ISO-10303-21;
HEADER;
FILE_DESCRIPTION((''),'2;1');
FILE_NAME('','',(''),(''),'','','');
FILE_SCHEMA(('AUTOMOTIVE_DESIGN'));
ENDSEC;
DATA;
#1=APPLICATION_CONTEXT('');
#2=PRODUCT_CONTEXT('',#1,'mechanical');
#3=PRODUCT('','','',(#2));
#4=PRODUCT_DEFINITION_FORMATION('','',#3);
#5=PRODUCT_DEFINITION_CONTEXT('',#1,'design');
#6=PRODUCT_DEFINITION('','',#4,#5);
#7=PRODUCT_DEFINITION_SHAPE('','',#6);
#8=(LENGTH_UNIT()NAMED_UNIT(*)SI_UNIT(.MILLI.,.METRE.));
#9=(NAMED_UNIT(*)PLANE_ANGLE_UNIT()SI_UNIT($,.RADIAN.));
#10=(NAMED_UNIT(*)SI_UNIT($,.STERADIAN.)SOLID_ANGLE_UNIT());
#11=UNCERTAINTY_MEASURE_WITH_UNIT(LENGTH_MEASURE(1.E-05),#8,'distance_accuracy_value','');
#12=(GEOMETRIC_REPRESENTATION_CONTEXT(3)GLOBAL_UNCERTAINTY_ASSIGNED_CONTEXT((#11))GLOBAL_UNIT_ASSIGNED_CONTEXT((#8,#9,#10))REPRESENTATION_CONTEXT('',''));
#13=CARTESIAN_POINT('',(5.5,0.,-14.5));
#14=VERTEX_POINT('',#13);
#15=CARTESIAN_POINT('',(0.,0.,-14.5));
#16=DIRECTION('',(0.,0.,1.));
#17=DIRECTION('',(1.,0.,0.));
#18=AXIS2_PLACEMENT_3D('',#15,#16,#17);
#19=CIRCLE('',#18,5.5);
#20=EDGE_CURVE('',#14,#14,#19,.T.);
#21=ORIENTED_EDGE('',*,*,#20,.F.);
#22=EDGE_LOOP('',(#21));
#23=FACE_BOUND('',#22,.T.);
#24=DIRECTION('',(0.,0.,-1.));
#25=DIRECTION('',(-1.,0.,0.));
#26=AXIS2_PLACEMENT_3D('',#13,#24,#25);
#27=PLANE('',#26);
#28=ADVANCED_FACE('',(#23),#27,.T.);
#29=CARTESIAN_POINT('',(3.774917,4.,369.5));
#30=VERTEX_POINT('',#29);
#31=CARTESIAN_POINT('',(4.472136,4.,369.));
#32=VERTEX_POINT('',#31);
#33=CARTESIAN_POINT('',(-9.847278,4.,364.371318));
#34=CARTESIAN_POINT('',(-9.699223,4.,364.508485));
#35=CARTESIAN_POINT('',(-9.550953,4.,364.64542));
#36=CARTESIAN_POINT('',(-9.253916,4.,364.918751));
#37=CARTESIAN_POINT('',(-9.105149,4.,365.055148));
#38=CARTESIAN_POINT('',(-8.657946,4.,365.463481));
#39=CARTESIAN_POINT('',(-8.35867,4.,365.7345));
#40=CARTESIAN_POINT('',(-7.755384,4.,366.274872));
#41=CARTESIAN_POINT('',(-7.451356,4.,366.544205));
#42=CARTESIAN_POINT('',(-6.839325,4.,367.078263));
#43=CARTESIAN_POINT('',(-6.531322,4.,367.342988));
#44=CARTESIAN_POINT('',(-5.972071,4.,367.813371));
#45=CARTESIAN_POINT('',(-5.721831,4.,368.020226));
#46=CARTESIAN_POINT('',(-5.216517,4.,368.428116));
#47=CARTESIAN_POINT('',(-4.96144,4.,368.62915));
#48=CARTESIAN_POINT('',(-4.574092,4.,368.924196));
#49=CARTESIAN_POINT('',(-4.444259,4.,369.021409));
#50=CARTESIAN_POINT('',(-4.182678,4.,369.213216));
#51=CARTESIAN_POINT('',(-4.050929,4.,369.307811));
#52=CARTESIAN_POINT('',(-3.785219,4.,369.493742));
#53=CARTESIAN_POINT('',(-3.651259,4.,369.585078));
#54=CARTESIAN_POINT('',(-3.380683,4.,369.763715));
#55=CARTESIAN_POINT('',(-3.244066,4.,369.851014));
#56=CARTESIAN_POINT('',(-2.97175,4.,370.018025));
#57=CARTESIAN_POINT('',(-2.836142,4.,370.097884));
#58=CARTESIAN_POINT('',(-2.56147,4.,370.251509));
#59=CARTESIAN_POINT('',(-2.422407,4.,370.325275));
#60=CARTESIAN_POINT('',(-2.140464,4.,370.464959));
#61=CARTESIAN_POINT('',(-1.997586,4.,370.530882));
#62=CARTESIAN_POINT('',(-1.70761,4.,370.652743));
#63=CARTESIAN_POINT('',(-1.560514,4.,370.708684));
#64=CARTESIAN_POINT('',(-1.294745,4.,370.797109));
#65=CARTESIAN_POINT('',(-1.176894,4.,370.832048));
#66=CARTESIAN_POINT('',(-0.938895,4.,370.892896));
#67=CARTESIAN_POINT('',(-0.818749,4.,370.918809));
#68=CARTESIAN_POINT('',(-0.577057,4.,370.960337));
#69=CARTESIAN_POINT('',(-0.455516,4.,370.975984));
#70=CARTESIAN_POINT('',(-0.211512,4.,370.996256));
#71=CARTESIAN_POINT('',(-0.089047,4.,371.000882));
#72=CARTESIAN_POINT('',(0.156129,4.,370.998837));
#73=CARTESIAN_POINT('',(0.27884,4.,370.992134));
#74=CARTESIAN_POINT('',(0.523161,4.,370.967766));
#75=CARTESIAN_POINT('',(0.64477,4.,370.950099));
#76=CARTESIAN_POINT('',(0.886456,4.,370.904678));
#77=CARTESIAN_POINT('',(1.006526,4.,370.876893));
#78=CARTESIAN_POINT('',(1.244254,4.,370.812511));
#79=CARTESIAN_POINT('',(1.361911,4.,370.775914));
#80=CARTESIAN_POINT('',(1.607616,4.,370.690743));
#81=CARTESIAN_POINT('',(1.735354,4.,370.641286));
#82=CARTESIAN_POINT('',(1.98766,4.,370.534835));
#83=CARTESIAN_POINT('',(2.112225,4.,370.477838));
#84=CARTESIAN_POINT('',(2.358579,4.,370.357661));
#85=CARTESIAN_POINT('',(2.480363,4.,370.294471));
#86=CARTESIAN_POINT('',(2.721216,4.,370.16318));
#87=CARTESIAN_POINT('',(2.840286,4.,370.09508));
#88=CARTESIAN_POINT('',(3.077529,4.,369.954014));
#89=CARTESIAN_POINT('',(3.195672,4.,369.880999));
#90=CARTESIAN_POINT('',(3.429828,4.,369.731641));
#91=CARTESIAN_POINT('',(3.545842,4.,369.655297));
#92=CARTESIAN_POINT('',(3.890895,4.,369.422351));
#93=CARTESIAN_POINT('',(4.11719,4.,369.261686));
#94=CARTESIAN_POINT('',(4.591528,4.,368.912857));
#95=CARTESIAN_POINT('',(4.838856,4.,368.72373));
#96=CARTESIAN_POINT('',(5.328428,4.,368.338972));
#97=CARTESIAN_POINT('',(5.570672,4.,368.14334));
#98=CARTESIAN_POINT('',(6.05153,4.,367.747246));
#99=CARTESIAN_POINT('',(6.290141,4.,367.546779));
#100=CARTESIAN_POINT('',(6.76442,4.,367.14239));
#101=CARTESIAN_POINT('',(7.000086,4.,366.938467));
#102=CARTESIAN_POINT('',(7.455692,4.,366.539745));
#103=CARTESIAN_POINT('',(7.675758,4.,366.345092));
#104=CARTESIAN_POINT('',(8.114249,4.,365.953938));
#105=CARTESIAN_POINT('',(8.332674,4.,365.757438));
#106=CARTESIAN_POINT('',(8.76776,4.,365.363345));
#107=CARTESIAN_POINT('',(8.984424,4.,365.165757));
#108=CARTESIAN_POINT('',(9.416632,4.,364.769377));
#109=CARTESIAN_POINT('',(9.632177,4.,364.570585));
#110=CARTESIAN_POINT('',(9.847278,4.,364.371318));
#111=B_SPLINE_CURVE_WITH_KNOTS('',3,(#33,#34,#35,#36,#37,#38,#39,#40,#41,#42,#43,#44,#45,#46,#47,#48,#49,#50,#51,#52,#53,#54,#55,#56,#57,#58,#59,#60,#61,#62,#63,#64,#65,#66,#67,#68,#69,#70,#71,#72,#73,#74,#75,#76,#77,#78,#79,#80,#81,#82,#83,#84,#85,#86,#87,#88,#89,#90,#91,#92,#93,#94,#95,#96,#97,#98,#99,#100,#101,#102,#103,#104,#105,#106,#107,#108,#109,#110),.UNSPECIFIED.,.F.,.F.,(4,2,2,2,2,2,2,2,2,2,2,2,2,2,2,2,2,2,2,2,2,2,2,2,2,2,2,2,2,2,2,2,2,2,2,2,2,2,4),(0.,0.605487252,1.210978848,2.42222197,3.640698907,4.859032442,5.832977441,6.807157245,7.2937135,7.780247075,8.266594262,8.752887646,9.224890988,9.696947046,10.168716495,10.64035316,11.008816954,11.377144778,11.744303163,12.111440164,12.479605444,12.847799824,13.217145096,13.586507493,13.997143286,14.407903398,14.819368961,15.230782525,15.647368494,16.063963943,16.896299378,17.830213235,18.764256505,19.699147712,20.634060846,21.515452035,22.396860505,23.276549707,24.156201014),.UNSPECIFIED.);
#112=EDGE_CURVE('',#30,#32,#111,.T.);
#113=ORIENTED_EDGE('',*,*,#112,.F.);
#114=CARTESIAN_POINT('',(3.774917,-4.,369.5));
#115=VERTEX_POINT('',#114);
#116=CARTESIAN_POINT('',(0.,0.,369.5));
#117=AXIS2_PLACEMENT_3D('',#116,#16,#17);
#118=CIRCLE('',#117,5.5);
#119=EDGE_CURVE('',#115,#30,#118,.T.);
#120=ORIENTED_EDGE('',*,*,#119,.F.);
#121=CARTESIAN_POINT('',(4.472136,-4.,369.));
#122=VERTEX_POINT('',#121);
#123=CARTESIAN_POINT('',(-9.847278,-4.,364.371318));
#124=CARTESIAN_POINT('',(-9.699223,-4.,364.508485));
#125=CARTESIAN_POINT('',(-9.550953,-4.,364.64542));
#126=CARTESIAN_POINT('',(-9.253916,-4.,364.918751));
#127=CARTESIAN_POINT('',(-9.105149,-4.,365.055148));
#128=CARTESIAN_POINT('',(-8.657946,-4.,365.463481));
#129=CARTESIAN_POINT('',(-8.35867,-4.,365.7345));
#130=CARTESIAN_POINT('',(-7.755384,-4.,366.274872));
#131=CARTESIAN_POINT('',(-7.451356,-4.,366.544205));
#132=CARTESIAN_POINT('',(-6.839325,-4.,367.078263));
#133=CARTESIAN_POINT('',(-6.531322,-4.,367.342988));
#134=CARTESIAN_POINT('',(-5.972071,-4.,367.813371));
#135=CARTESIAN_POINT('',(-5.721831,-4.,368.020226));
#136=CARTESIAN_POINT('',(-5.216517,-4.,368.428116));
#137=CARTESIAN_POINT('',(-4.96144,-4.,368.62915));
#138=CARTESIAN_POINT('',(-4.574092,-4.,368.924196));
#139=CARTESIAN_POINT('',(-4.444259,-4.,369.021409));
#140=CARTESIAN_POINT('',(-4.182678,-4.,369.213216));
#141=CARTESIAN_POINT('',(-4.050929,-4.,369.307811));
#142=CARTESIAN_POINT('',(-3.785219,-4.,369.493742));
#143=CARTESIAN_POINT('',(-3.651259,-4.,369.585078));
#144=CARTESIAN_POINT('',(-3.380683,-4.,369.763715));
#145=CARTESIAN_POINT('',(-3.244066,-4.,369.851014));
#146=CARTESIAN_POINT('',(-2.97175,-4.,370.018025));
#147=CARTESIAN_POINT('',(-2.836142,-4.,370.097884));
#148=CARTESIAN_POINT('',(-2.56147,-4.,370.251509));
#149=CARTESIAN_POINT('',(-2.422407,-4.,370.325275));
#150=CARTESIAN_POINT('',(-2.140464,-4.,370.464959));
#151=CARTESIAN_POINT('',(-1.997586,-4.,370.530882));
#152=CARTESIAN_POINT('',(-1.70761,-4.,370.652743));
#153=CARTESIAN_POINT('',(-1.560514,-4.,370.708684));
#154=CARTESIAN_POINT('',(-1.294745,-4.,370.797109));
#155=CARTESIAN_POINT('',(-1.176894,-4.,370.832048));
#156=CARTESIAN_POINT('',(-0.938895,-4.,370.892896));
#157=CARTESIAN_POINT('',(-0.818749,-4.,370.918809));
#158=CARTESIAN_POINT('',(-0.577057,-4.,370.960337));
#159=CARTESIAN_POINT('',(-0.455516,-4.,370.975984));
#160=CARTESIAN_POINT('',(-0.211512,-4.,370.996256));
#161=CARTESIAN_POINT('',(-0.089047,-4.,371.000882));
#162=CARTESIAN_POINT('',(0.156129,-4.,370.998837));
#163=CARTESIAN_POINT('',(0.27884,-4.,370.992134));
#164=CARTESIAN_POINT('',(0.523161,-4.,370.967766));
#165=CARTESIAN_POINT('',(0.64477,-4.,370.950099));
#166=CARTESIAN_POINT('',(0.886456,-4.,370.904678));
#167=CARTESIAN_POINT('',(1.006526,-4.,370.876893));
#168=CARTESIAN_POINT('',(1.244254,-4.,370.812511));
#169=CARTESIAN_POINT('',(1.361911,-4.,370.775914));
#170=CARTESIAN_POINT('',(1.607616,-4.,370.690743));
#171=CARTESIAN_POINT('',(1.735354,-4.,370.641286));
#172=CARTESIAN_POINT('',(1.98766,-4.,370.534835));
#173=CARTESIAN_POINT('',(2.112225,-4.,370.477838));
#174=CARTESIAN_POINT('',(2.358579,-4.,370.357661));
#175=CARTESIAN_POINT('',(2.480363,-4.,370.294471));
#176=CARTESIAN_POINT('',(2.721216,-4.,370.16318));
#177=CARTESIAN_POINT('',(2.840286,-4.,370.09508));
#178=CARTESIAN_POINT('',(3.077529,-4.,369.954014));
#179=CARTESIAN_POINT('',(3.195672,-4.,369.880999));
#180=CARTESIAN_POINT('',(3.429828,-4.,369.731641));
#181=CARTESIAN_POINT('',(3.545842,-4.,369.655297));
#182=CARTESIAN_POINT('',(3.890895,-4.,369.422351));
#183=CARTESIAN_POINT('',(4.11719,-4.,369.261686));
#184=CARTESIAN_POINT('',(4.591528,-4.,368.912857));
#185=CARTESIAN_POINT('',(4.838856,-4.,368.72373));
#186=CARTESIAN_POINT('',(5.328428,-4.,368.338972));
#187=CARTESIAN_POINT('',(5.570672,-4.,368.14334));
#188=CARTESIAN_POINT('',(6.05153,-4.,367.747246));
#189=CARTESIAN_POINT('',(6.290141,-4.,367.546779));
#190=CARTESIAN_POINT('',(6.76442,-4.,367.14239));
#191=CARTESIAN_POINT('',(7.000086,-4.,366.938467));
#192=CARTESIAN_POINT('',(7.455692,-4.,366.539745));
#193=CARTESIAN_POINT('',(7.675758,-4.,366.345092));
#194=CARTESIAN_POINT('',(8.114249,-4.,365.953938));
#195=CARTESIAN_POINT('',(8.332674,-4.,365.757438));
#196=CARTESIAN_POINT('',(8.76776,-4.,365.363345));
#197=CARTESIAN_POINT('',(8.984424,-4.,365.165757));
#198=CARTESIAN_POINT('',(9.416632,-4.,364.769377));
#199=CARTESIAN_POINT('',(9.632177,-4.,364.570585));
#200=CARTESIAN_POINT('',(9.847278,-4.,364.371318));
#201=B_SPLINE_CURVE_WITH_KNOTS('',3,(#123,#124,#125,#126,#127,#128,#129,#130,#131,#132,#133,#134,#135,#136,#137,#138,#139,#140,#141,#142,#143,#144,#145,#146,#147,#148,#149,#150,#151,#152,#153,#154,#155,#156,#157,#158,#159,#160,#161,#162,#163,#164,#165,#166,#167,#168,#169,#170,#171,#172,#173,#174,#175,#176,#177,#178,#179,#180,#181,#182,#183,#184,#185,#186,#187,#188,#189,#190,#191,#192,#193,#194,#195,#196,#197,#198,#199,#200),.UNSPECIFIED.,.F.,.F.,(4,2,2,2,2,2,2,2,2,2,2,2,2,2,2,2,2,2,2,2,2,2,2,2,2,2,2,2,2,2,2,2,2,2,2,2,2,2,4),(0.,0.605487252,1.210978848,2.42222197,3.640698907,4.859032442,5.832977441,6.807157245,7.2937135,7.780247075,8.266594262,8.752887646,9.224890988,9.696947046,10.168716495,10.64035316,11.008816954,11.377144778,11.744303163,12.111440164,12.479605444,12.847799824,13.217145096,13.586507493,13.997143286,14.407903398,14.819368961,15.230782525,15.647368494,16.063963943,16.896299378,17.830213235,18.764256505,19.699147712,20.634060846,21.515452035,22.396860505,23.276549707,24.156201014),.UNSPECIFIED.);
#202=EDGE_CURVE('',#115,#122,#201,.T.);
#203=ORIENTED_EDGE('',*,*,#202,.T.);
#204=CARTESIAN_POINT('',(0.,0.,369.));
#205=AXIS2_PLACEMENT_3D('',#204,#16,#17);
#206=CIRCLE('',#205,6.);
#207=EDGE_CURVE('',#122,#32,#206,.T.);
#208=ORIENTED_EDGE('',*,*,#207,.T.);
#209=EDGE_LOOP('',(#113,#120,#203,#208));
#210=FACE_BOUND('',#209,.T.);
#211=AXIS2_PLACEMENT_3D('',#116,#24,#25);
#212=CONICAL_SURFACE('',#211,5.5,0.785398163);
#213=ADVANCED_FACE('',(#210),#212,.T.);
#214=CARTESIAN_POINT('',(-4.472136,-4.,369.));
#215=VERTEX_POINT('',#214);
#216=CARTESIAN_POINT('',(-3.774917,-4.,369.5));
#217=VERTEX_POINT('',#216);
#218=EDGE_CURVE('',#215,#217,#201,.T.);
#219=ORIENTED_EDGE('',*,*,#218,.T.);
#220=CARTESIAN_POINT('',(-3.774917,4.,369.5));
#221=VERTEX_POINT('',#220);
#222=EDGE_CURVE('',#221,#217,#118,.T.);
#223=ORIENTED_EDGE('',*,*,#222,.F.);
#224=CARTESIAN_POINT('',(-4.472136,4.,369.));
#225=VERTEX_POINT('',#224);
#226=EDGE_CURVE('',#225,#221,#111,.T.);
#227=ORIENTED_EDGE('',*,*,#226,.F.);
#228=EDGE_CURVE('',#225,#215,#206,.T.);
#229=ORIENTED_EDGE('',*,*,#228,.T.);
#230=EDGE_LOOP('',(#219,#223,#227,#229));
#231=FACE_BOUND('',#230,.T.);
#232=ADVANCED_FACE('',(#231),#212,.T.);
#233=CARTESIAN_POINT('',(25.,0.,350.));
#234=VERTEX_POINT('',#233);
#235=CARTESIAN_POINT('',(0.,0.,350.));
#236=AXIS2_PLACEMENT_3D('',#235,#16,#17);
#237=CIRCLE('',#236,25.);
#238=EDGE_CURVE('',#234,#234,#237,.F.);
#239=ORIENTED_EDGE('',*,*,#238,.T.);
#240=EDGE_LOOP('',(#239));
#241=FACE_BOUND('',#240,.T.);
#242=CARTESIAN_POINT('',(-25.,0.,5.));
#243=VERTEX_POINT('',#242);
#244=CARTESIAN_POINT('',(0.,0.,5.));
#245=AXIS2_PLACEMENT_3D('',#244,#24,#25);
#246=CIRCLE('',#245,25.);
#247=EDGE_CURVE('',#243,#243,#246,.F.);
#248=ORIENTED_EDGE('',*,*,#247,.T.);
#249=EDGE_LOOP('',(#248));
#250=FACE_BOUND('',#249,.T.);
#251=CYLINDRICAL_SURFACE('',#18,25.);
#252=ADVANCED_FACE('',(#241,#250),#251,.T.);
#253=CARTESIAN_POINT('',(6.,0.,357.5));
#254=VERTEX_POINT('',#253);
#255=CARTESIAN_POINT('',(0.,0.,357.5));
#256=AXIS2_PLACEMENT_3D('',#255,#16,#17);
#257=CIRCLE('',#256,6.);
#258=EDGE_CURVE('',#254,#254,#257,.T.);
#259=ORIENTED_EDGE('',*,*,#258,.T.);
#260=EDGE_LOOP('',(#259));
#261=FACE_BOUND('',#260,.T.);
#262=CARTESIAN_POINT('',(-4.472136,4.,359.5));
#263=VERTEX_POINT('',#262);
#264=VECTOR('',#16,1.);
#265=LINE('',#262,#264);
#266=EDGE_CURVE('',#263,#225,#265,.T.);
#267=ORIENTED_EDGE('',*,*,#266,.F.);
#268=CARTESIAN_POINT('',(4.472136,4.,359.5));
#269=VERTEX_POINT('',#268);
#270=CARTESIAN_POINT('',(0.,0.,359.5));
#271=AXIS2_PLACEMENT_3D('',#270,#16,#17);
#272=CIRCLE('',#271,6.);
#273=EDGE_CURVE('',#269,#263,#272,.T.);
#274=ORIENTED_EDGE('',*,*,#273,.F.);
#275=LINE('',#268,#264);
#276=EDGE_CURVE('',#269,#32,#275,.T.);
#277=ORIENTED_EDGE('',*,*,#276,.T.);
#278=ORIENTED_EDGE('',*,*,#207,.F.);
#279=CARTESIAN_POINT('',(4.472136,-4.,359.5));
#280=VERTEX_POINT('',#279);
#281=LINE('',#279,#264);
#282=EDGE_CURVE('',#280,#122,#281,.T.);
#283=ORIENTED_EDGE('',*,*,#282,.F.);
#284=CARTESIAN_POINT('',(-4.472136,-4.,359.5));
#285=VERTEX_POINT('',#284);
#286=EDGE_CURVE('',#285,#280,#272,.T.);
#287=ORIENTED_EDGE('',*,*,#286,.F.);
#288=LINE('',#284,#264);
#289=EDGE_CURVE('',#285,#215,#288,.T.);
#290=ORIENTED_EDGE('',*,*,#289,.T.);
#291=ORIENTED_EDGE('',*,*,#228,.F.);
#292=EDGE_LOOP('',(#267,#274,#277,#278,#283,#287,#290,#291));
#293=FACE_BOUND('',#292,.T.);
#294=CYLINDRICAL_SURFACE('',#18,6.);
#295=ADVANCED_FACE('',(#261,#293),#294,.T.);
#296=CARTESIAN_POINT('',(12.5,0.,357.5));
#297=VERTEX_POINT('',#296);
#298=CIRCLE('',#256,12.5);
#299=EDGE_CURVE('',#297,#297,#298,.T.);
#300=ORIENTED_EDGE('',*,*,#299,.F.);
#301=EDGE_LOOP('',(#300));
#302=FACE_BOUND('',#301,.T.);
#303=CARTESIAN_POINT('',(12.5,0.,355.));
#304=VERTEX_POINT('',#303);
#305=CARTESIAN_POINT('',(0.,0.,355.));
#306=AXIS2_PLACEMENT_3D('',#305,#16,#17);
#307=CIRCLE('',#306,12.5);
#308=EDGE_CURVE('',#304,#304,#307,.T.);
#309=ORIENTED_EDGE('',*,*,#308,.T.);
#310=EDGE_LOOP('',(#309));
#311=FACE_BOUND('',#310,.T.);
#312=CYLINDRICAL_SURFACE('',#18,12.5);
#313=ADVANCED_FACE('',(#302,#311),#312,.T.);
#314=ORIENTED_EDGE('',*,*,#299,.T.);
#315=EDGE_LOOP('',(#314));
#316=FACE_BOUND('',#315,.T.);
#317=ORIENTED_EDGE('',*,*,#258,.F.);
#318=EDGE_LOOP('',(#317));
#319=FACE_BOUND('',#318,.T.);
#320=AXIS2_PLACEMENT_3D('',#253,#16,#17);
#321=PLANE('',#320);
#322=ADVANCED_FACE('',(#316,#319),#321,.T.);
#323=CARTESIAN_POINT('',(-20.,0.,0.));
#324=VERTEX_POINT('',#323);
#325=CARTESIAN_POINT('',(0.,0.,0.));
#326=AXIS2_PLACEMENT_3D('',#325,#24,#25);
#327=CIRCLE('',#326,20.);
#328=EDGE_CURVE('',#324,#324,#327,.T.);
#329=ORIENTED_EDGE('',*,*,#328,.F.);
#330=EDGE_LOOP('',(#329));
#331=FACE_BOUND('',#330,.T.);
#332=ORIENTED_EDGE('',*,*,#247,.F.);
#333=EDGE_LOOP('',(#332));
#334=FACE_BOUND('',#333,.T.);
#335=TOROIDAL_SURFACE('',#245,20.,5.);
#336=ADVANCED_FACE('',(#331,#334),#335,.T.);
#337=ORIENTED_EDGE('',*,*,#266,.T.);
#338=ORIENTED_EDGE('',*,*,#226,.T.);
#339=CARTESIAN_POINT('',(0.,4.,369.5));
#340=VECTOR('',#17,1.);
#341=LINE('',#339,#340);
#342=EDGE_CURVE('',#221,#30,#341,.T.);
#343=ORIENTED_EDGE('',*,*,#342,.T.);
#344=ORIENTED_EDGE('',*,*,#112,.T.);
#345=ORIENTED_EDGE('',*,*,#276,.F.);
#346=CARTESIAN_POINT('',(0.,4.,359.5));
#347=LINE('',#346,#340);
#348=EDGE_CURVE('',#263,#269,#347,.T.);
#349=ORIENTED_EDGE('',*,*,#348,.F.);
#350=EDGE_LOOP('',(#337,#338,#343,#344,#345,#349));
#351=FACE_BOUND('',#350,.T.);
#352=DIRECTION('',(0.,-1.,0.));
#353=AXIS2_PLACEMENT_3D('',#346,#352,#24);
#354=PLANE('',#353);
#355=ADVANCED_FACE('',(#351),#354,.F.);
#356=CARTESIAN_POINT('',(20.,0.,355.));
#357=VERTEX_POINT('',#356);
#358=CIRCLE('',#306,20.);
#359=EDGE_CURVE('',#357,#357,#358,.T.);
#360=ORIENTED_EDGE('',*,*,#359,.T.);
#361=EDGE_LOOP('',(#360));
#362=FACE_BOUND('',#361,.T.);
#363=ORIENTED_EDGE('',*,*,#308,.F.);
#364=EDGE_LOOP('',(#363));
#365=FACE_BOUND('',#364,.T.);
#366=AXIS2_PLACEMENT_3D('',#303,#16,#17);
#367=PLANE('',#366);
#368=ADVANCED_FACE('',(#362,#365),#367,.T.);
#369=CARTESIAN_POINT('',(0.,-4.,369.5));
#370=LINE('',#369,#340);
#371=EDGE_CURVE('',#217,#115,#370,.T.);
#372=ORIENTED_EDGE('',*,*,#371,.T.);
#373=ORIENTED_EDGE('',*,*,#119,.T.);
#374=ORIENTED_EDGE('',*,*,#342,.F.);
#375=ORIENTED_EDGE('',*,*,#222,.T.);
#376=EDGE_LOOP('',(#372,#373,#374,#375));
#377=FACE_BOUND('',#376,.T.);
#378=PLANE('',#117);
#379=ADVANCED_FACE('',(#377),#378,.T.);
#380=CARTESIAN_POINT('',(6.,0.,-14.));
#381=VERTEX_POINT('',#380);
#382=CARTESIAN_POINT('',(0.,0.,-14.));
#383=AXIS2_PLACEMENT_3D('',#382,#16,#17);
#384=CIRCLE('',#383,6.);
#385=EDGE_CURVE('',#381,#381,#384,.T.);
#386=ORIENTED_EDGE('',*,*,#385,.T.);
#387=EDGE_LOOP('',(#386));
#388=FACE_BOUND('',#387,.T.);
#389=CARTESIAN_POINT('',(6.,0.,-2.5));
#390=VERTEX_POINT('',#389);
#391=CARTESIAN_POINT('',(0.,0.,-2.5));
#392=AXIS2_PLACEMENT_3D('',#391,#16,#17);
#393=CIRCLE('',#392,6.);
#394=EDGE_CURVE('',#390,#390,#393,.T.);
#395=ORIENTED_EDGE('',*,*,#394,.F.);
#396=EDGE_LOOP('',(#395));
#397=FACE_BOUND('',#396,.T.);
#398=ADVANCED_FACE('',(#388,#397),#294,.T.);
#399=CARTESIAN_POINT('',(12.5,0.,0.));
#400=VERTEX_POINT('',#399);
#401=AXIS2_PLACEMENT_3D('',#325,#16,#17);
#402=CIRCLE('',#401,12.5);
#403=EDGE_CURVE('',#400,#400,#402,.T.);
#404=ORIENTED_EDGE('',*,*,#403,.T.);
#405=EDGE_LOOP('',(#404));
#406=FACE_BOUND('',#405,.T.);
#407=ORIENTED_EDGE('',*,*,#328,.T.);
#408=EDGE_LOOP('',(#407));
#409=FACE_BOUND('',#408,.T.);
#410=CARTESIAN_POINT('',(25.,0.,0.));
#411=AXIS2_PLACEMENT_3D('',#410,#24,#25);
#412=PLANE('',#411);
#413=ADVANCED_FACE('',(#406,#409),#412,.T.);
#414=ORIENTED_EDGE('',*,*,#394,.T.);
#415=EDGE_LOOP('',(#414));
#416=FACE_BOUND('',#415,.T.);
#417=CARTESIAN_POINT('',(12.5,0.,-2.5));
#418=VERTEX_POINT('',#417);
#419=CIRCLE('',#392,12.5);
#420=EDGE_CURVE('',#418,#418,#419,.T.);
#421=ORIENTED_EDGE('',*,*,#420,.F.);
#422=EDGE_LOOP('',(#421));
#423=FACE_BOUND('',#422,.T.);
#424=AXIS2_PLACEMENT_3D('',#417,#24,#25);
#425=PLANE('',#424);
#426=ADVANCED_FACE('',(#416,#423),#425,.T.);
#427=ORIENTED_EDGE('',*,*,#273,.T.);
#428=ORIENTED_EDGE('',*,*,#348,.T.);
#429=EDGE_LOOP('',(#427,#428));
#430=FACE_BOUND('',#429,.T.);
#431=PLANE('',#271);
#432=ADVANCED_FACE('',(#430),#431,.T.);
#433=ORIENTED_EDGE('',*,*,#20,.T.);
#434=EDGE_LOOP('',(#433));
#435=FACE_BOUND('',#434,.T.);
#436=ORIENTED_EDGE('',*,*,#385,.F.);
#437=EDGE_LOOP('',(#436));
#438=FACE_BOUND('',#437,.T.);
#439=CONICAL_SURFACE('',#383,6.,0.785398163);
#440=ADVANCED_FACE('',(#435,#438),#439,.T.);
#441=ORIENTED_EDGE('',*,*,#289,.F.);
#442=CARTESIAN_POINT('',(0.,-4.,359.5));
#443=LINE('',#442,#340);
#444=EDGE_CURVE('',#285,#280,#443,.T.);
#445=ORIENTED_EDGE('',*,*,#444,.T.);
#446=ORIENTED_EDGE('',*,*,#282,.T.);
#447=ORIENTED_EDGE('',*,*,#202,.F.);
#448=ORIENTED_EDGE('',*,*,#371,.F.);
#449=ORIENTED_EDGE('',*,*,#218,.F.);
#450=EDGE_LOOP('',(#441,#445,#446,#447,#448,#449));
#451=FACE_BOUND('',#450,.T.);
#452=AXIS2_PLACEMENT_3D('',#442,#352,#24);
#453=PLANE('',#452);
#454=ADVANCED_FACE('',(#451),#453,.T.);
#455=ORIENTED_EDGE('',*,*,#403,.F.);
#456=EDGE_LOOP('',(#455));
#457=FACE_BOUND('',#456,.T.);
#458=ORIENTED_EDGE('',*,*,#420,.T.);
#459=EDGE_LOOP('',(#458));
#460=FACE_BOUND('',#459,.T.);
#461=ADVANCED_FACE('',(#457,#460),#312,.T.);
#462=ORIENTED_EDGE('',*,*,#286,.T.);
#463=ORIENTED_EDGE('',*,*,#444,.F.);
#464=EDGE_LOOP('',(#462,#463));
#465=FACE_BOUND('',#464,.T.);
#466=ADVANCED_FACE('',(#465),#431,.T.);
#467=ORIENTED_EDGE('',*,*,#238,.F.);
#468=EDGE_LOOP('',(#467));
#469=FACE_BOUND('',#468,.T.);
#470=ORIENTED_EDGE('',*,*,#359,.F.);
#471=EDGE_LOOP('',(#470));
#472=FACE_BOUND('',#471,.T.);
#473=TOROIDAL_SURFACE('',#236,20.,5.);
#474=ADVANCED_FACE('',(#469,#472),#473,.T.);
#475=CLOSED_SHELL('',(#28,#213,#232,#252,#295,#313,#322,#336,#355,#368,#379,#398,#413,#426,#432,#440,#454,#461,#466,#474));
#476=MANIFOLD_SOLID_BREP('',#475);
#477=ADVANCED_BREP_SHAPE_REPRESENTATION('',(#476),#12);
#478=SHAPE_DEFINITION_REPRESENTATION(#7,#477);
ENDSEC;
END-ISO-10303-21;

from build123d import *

# Parameters (mm, degrees)
FILLET1_R          = 5
CUT_EXTRUDE1_START = -10
CUT_EXTRUDE1_DEPTH = 10


with BuildPart() as part:
    # Sketch1 → Revolve1 (revolve)
    with BuildSketch(Plane(origin=(0, 0, 0), x_dir=(1, 0, 0), z_dir=(0, 1, 0))):
        Polygon((5.5, 14.5), (0, 14.5), (0, -369.5), (5.5, -369.5), (6, -369), (6, -357.5), (12.5, -357.5), (12.5, -355), (25, -355), (25, 0), (12.5, 0), (12.5, 2.5), (6, 2.5), (6, 14), align=None)
    revolve(axis=Axis((0, 0, -14.5), (0, 0, 1)))

    # Fillet1
    fillet1_edges = [part.edges().sort_by_distance(p)[0] for p in [
        (-25, 0, 355),
        (-25, 0, 0),
    ]]
    fillet(fillet1_edges, radius=FILLET1_R)

    # Sketch2 → Cut-Extrude1 (cut)
    with BuildSketch(Plane.XY.offset(369.5).offset(CUT_EXTRUDE1_START)):
        with BuildLine():
            ThreePointArc((4.472135955, 4), (0, 6), (-4.472135955, 4))
            Line((-4.472135955, 4), (4.472135955, 4))
        make_face()
        with BuildLine():
            Line((4.472135955, -4), (-4.472135955, -4))
            ThreePointArc((-4.472135955, -4), (0, -6), (4.472135955, -4))
        make_face()
    extrude(amount=CUT_EXTRUDE1_DEPTH, mode=Mode.SUBTRACT)


solid = part.part
